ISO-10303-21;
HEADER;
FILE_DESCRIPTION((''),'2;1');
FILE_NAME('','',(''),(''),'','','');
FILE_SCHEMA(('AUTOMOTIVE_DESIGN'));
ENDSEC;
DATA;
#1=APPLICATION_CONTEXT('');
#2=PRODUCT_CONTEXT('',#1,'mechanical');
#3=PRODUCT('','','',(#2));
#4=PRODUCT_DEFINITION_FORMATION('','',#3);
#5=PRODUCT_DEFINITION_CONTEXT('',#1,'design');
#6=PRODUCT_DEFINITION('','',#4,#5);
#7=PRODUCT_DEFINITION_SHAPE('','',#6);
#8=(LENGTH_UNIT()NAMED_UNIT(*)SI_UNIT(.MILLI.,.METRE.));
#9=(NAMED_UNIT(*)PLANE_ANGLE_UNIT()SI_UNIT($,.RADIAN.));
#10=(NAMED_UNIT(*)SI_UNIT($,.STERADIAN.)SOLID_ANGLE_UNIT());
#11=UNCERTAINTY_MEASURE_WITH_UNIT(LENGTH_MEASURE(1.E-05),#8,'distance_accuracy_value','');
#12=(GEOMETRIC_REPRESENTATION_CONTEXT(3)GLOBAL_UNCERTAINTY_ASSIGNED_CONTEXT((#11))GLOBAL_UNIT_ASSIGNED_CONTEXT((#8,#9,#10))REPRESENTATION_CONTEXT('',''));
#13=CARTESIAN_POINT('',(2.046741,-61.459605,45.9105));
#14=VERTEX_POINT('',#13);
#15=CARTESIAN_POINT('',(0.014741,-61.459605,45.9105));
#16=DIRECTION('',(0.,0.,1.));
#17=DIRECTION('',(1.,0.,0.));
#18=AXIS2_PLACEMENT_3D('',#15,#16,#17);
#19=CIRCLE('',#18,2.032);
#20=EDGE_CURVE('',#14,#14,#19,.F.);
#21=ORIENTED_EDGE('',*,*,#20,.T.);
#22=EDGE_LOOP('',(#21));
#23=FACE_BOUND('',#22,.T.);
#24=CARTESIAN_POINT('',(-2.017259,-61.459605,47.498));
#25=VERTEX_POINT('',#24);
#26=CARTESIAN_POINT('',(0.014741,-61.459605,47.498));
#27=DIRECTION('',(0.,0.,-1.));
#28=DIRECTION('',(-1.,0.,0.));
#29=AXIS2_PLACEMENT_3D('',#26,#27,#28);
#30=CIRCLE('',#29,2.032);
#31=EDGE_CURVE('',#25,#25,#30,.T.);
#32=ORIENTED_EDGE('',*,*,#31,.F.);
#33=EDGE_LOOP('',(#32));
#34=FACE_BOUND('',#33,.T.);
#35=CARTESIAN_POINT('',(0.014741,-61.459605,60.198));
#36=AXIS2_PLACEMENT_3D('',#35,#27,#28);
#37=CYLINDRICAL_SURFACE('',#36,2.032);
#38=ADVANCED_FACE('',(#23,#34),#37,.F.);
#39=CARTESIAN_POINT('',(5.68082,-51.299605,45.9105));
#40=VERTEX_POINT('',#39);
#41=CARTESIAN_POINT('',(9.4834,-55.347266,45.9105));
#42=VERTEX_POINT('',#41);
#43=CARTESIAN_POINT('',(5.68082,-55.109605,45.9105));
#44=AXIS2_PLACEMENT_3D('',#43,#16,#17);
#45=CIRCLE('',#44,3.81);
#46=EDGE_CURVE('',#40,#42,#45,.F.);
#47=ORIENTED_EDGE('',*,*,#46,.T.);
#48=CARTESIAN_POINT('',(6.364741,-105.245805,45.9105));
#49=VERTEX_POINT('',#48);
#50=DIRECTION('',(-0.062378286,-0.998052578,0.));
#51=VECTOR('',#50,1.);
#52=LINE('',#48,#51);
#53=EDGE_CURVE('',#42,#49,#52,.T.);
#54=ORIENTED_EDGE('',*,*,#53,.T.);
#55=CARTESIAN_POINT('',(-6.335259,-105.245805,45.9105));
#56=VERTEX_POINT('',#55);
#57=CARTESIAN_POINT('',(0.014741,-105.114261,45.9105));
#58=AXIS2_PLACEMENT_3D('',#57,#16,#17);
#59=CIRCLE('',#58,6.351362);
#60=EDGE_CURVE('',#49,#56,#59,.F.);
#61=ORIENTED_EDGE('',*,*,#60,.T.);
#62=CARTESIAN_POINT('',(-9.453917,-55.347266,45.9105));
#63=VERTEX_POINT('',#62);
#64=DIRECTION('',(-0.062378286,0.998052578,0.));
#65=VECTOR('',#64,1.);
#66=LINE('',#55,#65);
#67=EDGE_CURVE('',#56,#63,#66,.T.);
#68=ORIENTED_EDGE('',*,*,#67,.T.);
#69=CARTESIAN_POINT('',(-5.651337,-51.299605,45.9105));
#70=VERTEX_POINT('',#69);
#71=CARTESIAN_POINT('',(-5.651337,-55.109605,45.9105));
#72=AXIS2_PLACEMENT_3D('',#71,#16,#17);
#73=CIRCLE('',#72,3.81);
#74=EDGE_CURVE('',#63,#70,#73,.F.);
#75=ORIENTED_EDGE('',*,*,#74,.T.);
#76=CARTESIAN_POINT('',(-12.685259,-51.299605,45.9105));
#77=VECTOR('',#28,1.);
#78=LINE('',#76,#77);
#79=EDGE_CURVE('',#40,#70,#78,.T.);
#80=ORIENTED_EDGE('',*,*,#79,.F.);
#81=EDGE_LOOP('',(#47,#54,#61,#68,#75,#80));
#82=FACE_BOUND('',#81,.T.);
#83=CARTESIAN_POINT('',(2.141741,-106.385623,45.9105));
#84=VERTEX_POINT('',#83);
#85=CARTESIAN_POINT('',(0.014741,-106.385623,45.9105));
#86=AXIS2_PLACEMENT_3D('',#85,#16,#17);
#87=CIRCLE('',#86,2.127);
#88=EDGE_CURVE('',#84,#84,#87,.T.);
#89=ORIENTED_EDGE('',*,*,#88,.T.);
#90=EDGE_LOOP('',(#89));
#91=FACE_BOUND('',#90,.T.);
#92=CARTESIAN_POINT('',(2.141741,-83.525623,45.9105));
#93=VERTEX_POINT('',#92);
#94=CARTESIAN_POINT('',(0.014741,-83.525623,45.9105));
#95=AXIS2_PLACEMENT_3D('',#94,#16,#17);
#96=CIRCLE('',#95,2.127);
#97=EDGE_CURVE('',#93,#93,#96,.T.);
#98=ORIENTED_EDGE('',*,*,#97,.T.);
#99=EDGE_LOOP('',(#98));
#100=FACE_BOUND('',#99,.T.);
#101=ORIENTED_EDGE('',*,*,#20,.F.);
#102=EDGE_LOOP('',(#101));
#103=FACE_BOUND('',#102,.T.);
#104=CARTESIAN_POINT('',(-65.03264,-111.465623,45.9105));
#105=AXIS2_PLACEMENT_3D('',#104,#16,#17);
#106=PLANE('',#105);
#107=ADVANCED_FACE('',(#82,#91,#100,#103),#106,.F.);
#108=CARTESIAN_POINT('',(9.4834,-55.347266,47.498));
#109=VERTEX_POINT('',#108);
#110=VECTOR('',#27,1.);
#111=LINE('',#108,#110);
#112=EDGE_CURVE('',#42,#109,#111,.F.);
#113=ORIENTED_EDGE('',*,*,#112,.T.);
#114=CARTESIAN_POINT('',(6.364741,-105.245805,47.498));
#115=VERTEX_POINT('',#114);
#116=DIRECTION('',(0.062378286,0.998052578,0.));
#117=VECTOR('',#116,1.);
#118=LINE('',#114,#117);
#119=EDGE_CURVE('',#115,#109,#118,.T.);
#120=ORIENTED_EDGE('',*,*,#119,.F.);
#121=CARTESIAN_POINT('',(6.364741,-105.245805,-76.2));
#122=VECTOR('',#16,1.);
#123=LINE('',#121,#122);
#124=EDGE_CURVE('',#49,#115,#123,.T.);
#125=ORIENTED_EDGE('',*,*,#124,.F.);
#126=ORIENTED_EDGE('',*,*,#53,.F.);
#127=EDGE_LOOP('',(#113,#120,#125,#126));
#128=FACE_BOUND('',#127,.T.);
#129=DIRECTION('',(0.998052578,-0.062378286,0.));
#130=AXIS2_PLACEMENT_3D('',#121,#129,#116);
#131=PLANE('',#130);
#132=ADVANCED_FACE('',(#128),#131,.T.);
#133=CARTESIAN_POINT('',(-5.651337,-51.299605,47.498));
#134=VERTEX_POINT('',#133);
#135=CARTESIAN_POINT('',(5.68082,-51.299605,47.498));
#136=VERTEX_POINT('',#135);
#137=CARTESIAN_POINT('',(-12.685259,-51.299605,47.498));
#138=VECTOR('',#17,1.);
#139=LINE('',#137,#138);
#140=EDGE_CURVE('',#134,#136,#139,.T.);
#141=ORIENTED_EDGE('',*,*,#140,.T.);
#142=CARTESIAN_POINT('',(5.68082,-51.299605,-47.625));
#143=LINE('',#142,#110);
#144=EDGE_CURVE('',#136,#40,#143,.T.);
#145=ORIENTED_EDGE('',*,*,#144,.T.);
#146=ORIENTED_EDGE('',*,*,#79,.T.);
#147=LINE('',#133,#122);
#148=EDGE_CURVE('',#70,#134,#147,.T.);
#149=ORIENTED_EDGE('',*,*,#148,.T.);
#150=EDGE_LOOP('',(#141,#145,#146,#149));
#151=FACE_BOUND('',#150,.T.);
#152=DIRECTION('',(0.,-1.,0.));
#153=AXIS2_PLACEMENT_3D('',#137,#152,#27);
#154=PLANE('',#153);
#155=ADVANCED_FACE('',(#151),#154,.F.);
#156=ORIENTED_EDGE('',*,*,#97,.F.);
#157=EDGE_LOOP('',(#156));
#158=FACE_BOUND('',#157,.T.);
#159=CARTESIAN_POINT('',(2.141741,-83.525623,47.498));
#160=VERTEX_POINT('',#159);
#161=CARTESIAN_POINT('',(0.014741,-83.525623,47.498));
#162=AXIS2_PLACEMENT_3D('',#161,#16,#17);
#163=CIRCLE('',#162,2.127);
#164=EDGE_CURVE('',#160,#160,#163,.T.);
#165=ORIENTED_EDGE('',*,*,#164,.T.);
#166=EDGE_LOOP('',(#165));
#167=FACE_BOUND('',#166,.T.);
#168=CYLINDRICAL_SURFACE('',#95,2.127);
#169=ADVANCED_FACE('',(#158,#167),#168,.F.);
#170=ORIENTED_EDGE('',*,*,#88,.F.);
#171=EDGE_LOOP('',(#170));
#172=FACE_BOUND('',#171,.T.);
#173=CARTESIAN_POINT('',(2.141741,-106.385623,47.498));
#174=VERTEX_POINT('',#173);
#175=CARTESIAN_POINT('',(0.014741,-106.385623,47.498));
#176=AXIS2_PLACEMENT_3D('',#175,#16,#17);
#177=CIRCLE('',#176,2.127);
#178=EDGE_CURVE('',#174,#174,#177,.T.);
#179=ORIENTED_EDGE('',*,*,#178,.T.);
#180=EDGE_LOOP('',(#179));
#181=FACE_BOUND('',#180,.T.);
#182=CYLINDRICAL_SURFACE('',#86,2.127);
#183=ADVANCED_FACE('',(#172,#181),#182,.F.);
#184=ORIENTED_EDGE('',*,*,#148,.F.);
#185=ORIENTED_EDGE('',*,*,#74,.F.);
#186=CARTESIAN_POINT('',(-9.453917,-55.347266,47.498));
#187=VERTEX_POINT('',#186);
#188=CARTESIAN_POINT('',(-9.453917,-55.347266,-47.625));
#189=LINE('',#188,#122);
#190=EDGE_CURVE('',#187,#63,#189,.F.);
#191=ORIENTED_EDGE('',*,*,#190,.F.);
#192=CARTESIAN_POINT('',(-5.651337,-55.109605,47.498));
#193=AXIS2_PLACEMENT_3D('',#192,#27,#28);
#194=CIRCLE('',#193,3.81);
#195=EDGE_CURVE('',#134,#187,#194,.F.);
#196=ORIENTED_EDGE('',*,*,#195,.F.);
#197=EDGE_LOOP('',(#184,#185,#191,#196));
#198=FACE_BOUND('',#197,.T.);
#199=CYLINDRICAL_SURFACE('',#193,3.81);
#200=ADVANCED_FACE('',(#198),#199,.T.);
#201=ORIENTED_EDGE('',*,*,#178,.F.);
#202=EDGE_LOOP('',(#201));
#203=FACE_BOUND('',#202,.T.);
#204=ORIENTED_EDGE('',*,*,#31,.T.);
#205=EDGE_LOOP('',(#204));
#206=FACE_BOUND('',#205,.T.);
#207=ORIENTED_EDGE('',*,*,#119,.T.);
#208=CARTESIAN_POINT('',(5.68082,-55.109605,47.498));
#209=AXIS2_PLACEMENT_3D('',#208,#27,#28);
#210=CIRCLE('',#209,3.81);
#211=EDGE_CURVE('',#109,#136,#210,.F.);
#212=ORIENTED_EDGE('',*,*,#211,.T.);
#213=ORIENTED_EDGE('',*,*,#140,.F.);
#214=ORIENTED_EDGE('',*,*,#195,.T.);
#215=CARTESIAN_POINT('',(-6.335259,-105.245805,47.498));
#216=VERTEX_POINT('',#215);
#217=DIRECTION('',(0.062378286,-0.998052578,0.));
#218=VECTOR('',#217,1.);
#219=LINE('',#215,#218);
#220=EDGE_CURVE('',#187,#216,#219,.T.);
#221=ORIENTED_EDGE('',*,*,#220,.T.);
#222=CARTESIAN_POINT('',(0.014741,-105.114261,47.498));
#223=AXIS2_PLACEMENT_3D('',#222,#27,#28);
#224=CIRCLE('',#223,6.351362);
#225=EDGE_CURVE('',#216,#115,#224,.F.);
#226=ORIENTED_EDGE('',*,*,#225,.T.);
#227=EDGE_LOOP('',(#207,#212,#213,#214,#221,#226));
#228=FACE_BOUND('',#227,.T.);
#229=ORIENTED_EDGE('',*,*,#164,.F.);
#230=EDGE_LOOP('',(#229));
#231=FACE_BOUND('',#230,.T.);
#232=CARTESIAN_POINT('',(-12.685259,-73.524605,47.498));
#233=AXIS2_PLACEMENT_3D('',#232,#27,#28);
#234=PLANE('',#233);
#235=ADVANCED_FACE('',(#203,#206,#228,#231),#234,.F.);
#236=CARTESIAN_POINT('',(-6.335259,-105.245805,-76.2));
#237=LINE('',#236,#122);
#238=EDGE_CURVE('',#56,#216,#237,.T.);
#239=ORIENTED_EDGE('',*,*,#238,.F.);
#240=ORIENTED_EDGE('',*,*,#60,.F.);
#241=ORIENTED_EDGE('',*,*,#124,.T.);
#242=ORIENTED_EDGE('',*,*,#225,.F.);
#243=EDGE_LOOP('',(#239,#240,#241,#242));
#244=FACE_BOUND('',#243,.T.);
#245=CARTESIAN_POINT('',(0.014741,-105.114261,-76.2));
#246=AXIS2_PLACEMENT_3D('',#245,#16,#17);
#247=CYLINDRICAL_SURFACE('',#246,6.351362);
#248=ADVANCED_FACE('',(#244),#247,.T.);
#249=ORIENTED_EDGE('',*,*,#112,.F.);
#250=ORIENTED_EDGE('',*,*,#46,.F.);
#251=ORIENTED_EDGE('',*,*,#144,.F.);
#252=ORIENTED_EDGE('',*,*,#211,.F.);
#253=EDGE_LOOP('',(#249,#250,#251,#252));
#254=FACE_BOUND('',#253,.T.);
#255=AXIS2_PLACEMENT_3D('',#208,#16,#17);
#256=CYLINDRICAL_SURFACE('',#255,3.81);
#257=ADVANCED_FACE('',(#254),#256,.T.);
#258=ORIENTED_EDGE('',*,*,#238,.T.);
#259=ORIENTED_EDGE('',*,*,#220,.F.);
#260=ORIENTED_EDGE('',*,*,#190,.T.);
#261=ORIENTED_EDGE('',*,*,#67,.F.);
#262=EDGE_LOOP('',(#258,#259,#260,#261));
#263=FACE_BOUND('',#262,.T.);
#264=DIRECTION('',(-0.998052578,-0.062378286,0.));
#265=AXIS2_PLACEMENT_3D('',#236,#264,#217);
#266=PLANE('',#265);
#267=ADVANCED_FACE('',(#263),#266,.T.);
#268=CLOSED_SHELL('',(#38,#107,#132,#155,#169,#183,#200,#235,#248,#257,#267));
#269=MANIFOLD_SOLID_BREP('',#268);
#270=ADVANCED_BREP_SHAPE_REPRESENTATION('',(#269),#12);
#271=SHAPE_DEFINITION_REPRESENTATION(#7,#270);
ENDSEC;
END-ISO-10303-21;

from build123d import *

# Parameters (mm, degrees)
BOSS_EXTRUDE1_DEPTH      = 76.2
BOSS_EXTRUDE1_DEPTH_BACK = 76.2
CUT_EXTRUDE1_DEPTH       = 136.619651209
CUT_EXTRUDE1_DEPTH_BACK  = 136.619651209
FILLET1_R                = 3.81
SKETCH14_R               = 2.032
CUT_EXTRUDE8_DEPTH       = 156.372005628
CUT_EXTRUDE9_DEPTH       = 136.355460931
CUT_EXTRUDE9_DEPTH_BACK  = 136.355460931
SKETCH15_W               = 96.731852598
SKETCH15_H               = 147.433285995
SKETCH15_W_2             = 126.258869859
SKETCH15_H_2             = 31.294033563
CUT_EXTRUDE10_DEPTH      = 112.88020808
CUT_EXTRUDE10_DEPTH_BACK = 112.88020808
SKETCH16_R               = 2.127


with BuildPart() as part:
    # Sketch1 → Boss-Extrude1 (new, two sides: drawn at the far end of the back side and taken through both)
    with BuildSketch(Plane.XY.offset(-BOSS_EXTRUDE1_DEPTH_BACK)):
        with BuildLine():
            Line((-6.335258536, -105.245804705), (-12.685258536, -3.645804705))
            ThreePointArc((-12.685258536, -3.645804705), (0.014741464, 8.866413132), (12.714741464, -3.645804705))
            Line((12.714741464, -3.645804705), (6.364741464, -105.245804705))
            ThreePointArc((6.364741464, -105.245804705), (0.014741464, -111.465623147), (-6.335258536, -105.245804705))
        make_face()
    extrude(amount=BOSS_EXTRUDE1_DEPTH + BOSS_EXTRUDE1_DEPTH_BACK)

    # Sketch4 → Cut-Extrude1 (cut, two sides: drawn at the far end of the back side and taken through both)
    with BuildSketch(Plane(origin=(0, 0, 0), x_dir=(0, 0, -1), z_dir=(1, 0, 0)).offset(-CUT_EXTRUDE1_DEPTH_BACK)):
        Polygon((-47.498, -73.524605007), (-47.498, -51.299605007), (47.625, -51.299605007), (47.625, -73.524605007), (76.2, -73.524605007), (76.2, 8.866413132), (-76.2, 8.866413132), (-76.2, -28.682279346), (-76.2, -111.465623147), (-60.198, -111.465623147), (-60.198, -73.524605007), align=None)
    extrude(amount=CUT_EXTRUDE1_DEPTH + CUT_EXTRUDE1_DEPTH_BACK, mode=Mode.SUBTRACT)

    # Fillet1
    fillet1_edges = [part.edges().sort_by_distance(p)[0] for p in [
        (8.347316445, -73.524605007, 53.848),
        (9.736378945, -51.299605007, -0.0635),
        (-9.706896017, -51.299605007, -0.0635),
        (-8.317833517, -73.524605007, 53.848),
        (-8.317833517, -73.524605007, -61.9125),
        (8.347316445, -73.524605007, -61.9125),
    ]]
    fillet(fillet1_edges, radius=FILLET1_R)

    # Sketch14 → Cut-Extrude8 (cut, through all)
    with BuildSketch(Plane(origin=(0, 0, -47.625), x_dir=(-1, 0, 0), z_dir=(0, 0, -1))):
        with Locations((-0.014741464, -61.459605007)):
            Circle(SKETCH14_R)
    extrude(amount=-CUT_EXTRUDE8_DEPTH, mode=Mode.SUBTRACT)

    # Sketch15 → Cut-Extrude9 (cut, two sides: drawn at the far end of the back side and taken through both)
    with BuildSketch(Plane(origin=(0, 0, 0), x_dir=(1, 0, 0), z_dir=(0, 1, 0)).offset(-CUT_EXTRUDE9_DEPTH_BACK)):
        with Locations((-16.666713659, 27.806142998)):
            Rectangle(SKETCH15_W, SKETCH15_H)
        with Locations((-1.903205029, -63.145016782)):
            Rectangle(SKETCH15_W_2, SKETCH15_H_2)
    extrude(amount=CUT_EXTRUDE9_DEPTH + CUT_EXTRUDE9_DEPTH_BACK, mode=Mode.SUBTRACT)

    # Sketch16 → Cut-Extrude10 (cut, two sides: drawn at the far end of the back side and taken through both)
    with BuildSketch(Plane.XY.offset(47.498).offset(-CUT_EXTRUDE10_DEPTH_BACK)):
        with Locations((0.014741464, -106.385623147)):
            Circle(SKETCH16_R)
        with Locations((0.014741464, -83.525623147)):
            Circle(SKETCH16_R)
    extrude(amount=CUT_EXTRUDE10_DEPTH + CUT_EXTRUDE10_DEPTH_BACK, mode=Mode.SUBTRACT)


solid = part.part
